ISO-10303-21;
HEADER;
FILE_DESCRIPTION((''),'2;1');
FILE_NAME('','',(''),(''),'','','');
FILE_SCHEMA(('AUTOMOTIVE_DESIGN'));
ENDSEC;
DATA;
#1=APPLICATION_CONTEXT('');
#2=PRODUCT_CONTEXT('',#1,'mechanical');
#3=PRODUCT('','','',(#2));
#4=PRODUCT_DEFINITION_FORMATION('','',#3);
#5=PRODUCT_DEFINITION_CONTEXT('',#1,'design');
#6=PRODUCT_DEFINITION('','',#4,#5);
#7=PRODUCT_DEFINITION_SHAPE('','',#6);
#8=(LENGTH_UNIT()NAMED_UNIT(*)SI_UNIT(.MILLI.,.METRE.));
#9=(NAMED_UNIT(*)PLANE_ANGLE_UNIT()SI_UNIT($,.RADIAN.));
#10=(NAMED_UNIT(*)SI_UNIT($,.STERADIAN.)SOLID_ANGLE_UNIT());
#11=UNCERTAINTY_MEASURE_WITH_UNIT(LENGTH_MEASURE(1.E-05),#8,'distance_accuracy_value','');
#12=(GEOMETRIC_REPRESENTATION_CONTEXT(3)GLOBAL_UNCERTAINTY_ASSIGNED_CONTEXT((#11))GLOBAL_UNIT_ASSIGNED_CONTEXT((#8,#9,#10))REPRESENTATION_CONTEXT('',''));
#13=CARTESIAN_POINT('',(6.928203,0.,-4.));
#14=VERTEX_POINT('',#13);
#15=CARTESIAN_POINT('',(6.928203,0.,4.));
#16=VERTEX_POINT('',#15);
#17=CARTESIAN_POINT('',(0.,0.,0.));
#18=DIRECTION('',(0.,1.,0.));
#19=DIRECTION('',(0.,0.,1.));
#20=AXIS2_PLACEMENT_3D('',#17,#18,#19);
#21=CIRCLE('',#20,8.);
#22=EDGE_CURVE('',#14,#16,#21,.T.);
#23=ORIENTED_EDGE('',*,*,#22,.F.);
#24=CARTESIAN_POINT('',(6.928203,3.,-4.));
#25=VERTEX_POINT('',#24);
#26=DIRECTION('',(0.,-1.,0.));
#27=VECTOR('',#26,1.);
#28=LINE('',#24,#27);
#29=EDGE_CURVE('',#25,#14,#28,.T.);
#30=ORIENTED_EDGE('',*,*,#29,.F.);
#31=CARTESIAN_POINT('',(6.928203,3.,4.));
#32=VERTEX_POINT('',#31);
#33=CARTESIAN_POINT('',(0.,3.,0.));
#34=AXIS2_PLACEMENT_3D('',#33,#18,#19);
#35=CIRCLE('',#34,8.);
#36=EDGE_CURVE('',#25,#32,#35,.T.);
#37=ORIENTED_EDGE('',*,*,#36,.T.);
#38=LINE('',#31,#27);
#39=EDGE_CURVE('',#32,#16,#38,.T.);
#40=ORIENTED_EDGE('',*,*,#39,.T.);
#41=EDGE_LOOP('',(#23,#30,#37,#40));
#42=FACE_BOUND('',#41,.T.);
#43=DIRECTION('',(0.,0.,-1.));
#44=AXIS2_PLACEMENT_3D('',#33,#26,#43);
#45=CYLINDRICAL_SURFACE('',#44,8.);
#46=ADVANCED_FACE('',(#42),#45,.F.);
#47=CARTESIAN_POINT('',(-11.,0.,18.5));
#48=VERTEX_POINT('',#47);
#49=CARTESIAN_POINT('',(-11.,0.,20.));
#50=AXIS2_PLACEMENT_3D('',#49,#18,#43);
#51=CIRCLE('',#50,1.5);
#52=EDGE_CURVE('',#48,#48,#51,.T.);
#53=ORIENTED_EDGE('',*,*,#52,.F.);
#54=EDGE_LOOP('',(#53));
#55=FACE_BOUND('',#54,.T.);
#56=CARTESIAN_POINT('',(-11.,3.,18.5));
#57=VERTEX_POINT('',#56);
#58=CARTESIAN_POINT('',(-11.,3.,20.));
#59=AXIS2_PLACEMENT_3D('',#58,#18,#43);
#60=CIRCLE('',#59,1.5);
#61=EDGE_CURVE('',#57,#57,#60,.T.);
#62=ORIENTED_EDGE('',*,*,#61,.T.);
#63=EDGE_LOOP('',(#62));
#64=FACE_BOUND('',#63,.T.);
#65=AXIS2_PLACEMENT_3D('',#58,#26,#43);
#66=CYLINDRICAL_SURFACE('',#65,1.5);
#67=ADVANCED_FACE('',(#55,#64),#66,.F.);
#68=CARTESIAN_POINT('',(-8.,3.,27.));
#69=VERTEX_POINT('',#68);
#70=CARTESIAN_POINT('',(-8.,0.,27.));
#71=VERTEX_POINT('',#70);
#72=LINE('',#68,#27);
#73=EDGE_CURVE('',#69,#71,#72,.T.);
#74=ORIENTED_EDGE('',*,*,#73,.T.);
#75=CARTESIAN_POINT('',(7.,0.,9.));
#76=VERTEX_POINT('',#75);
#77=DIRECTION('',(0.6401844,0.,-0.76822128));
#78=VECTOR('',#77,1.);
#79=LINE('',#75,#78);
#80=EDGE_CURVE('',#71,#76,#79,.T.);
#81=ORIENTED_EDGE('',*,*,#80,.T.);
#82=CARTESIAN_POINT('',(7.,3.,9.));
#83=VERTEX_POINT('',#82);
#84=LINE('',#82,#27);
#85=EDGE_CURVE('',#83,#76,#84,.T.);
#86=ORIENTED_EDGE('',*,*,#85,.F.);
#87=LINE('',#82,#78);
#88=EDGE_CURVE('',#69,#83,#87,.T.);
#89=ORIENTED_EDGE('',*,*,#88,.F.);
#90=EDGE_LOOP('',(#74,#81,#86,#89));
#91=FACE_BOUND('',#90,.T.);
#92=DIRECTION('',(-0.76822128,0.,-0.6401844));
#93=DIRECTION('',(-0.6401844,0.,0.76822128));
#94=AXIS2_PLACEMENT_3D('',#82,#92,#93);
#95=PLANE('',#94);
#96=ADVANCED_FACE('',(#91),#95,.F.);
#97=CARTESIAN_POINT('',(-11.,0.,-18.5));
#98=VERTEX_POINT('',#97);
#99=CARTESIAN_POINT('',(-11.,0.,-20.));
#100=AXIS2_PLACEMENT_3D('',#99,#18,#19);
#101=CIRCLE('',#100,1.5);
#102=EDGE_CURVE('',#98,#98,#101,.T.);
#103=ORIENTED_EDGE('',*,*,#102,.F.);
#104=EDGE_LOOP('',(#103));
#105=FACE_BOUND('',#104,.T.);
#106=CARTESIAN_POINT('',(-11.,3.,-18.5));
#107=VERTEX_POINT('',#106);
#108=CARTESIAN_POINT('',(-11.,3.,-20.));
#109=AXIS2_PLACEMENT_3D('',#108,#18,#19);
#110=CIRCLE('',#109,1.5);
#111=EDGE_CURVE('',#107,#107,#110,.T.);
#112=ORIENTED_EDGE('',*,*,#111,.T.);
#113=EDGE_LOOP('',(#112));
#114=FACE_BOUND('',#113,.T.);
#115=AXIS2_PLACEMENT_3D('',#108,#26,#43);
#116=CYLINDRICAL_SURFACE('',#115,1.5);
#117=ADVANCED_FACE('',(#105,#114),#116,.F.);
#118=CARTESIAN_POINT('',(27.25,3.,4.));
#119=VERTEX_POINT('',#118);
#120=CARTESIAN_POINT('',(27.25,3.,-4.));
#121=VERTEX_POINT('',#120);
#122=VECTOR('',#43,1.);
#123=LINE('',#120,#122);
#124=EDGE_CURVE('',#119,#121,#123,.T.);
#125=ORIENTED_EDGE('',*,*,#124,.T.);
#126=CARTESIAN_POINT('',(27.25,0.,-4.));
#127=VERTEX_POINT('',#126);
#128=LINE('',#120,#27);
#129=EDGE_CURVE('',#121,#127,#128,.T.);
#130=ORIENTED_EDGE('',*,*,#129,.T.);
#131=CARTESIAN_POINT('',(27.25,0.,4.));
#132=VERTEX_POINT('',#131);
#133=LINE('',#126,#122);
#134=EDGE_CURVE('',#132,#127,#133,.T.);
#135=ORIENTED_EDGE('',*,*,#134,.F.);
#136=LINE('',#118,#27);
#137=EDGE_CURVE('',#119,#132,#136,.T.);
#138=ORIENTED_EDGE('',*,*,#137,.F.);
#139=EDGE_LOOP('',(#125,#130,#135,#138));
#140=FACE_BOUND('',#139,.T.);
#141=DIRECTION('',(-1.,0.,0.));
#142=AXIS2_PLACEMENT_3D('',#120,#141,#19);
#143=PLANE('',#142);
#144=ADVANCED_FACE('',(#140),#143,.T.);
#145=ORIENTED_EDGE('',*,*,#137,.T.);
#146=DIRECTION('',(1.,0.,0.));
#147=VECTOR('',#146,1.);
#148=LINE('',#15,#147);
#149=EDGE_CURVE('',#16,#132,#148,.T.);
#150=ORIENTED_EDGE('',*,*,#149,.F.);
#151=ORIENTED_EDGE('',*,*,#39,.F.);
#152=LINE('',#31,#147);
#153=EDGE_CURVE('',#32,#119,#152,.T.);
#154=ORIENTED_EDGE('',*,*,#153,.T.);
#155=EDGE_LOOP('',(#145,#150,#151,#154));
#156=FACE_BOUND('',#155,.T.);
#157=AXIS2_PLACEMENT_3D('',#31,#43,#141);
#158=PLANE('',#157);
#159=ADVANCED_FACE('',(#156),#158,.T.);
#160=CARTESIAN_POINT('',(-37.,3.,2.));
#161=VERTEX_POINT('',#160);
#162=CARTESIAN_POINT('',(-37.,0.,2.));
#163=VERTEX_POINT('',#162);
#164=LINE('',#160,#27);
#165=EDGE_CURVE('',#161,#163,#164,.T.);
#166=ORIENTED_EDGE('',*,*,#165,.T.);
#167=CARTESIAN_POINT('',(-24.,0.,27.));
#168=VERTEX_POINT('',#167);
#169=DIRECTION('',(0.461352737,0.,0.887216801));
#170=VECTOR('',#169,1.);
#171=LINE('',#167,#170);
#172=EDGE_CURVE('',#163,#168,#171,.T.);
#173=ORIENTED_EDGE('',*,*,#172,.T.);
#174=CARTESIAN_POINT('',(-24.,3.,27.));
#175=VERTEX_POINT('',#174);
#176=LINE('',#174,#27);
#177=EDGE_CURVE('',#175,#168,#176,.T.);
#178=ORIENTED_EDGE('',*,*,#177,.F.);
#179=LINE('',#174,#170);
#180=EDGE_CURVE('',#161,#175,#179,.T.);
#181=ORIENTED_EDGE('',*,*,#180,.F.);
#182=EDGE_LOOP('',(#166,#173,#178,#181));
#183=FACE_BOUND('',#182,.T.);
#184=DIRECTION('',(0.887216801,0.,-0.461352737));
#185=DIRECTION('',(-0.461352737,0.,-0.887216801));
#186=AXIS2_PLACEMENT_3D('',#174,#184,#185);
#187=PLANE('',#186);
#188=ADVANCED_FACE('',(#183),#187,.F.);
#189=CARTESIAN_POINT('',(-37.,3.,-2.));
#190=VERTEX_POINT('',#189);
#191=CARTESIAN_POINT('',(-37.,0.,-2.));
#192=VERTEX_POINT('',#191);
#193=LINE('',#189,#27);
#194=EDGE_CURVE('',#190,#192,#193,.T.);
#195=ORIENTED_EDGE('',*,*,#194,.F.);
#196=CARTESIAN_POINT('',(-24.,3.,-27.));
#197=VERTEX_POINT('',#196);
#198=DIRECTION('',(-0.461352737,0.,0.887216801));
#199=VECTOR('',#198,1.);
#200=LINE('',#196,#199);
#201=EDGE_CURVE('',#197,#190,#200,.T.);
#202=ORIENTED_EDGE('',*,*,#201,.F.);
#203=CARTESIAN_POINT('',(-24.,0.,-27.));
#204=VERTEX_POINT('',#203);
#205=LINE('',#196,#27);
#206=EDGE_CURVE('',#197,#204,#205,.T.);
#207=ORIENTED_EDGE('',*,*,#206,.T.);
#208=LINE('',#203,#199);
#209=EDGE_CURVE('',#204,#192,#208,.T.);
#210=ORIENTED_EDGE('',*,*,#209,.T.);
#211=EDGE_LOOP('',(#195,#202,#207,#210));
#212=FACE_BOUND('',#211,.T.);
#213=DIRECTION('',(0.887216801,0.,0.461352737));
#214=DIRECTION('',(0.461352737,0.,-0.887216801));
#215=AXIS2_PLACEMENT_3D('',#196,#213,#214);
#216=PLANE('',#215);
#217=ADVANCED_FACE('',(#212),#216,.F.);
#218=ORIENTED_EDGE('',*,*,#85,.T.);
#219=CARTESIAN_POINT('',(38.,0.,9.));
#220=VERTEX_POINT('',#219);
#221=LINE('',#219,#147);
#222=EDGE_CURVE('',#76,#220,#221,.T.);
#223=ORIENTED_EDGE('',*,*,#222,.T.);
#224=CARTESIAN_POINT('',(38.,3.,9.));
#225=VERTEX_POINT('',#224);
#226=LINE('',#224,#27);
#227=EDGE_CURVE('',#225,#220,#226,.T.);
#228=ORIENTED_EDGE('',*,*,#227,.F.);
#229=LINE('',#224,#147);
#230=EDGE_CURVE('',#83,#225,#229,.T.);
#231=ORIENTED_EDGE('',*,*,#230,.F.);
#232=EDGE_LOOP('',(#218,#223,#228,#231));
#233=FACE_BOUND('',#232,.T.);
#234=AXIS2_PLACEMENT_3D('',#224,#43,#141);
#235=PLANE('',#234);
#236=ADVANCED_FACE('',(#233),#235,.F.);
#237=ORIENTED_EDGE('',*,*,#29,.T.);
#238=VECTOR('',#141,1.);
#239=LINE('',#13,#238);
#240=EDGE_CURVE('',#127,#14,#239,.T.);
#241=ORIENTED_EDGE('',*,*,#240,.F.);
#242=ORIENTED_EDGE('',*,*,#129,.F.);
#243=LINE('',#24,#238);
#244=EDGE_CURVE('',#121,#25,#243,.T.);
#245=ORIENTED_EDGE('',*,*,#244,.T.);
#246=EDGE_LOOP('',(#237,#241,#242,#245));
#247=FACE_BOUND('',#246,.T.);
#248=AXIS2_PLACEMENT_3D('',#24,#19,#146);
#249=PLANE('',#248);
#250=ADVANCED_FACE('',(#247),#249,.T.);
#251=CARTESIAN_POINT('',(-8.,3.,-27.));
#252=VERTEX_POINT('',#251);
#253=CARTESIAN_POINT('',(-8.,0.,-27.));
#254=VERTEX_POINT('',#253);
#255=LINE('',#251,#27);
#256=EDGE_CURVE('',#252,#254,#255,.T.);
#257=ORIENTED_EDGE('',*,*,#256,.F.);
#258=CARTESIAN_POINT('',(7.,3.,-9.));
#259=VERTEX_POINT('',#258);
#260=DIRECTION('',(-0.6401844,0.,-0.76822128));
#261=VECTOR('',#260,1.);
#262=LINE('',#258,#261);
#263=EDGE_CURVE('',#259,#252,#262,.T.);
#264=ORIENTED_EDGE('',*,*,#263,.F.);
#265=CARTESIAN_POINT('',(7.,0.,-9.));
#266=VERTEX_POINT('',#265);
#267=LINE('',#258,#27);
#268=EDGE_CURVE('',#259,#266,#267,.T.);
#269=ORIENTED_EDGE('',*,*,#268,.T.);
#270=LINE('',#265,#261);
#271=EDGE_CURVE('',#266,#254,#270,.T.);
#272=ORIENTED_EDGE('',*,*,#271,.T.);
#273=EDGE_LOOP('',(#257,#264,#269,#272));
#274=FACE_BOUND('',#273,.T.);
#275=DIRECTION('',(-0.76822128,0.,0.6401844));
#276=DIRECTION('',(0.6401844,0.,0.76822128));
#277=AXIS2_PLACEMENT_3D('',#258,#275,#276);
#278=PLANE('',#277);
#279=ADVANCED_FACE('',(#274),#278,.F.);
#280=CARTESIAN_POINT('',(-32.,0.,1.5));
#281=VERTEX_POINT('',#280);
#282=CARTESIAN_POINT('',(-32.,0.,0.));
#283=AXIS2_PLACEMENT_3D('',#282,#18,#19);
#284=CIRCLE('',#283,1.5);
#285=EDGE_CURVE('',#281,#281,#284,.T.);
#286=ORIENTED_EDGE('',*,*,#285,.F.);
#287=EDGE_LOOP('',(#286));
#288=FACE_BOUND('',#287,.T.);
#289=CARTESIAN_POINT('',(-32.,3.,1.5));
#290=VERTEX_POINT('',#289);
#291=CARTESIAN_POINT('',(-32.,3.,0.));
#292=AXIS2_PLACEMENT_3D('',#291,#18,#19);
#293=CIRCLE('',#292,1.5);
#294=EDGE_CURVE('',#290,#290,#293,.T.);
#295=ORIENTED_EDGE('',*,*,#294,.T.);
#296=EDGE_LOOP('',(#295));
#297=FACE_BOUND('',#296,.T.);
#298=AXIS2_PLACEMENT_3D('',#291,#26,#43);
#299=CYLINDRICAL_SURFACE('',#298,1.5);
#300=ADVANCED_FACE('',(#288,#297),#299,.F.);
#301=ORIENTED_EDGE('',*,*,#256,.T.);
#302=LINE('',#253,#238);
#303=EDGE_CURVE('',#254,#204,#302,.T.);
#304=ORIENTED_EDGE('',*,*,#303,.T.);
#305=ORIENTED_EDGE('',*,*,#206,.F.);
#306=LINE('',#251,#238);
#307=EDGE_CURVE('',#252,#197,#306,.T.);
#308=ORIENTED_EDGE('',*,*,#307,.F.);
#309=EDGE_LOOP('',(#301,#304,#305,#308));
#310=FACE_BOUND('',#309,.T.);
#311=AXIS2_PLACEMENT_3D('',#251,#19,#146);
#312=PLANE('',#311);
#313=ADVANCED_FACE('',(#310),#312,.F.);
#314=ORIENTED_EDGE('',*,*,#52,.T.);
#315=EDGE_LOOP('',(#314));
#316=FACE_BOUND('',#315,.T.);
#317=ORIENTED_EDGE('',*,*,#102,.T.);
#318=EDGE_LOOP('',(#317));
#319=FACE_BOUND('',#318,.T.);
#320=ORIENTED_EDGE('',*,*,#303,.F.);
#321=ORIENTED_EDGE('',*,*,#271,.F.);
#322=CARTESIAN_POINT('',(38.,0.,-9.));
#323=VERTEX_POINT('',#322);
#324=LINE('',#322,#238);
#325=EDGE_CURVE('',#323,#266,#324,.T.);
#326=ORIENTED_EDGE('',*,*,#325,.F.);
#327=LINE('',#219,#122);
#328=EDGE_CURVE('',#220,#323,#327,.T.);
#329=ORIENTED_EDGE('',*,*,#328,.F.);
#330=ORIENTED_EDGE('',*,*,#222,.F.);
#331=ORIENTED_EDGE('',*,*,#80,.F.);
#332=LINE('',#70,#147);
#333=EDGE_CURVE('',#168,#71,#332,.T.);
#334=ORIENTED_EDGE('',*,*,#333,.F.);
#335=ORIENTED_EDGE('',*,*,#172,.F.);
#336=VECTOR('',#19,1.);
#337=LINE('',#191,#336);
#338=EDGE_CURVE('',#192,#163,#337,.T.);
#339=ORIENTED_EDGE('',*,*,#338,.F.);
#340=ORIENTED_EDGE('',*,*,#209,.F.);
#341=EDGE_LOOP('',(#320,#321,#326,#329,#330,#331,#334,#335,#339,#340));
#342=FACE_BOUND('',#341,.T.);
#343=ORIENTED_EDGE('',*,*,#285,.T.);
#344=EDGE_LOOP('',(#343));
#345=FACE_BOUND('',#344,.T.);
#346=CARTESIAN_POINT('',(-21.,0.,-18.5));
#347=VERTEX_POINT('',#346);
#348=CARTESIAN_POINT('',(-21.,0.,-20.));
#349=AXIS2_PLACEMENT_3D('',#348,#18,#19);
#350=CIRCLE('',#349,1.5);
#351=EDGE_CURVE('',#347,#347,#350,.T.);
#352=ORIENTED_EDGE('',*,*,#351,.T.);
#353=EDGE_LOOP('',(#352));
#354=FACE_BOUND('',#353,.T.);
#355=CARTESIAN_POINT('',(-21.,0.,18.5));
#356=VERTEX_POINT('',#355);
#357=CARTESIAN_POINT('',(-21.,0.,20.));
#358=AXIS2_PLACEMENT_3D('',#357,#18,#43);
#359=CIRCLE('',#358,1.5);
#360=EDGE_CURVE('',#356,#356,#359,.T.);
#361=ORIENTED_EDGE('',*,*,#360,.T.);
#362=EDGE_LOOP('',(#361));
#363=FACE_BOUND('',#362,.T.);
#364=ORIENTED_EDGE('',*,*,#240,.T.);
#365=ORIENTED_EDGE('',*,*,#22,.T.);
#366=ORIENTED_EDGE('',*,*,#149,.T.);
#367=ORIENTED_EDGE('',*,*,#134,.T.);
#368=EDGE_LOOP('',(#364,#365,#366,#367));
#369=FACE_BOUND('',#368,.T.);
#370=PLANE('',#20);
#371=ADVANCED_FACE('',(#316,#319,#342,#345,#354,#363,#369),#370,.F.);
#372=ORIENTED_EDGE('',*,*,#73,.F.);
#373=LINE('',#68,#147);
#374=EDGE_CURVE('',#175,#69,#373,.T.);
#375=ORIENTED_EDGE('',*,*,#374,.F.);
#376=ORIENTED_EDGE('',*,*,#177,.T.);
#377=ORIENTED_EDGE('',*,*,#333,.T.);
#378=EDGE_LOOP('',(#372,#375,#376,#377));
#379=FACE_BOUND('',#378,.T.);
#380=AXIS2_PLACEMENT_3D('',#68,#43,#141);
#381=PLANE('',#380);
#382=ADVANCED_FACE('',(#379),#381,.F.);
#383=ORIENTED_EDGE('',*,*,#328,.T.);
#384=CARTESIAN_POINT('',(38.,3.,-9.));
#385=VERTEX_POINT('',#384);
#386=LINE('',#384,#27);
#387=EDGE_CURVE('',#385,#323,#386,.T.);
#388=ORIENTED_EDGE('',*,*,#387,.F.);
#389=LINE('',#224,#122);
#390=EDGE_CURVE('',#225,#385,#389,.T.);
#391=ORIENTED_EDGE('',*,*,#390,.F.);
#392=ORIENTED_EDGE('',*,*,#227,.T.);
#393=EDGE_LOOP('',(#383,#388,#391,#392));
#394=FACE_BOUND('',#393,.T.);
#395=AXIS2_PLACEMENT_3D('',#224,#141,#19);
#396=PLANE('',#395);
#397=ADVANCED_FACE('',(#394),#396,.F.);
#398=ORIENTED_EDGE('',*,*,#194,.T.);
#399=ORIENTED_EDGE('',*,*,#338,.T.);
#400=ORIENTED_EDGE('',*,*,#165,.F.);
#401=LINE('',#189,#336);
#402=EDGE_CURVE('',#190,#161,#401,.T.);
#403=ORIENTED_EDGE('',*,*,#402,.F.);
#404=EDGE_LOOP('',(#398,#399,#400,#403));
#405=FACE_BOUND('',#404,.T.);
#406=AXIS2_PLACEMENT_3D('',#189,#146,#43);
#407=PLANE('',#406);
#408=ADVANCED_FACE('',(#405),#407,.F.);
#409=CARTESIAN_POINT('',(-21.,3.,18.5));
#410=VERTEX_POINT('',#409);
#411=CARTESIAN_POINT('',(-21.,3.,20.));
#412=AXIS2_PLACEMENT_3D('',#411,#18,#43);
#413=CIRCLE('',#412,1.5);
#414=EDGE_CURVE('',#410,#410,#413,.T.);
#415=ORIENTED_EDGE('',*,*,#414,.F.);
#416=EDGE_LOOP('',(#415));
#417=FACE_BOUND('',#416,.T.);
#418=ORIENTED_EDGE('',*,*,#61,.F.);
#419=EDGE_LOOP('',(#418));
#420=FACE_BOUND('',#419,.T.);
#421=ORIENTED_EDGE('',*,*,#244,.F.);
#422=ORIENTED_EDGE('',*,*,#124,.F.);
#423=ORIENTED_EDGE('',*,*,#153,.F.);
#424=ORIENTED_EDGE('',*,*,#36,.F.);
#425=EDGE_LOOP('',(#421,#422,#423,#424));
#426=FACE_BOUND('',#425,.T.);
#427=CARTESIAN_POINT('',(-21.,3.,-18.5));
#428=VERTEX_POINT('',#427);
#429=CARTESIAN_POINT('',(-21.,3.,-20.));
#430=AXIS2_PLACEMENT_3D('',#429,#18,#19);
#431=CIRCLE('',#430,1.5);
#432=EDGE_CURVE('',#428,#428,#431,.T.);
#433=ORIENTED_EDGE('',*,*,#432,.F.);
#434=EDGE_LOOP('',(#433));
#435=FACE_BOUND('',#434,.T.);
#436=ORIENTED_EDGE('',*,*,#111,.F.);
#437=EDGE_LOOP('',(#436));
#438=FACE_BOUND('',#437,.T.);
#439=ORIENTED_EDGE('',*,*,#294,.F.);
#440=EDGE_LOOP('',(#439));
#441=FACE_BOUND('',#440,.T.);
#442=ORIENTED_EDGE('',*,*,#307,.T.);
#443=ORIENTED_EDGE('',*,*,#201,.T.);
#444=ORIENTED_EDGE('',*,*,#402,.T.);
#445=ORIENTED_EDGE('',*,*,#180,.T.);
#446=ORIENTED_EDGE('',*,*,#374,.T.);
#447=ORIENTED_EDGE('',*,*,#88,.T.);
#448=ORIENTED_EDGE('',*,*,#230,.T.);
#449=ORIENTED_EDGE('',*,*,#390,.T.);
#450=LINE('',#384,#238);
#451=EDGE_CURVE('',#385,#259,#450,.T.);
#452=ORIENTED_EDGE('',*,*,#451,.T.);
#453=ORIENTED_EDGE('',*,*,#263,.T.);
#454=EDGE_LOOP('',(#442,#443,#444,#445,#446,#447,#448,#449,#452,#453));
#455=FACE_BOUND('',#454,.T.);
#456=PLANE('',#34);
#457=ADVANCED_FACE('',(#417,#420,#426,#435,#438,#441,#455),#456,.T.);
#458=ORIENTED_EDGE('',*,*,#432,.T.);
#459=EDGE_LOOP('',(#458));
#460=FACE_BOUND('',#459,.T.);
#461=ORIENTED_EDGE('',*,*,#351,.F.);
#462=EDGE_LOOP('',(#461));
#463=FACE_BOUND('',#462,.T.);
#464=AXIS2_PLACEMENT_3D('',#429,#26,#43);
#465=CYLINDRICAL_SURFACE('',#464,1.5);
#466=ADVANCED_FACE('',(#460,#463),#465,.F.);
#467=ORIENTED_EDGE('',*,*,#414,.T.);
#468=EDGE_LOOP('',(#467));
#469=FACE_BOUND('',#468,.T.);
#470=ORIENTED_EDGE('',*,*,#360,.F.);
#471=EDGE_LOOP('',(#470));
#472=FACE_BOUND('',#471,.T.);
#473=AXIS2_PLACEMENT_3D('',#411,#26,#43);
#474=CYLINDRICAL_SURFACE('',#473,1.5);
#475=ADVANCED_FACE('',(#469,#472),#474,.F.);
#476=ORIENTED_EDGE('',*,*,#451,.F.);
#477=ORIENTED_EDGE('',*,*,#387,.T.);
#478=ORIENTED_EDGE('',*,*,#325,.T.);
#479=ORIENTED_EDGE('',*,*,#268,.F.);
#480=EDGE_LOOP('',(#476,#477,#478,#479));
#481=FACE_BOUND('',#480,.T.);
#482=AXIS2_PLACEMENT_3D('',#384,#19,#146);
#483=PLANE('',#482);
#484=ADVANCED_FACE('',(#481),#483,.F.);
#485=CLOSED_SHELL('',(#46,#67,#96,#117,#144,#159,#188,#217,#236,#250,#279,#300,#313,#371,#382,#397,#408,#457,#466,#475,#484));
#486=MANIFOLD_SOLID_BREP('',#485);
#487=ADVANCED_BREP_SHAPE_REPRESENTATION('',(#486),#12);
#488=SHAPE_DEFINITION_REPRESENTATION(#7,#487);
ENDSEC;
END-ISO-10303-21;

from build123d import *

# Parameters (mm, degrees)
SKETCH_1_R      = 1.5
EXTRUDE_1_DEPTH = 3


with BuildPart() as part:
    # 草图1 → 凸台-拉伸1 (new body)
    with BuildSketch(Plane(origin=(0, 0, 0), x_dir=(1, 0, 0), z_dir=(0, 1, 0))):
        Polygon((38, -9), (38, 9), (7, 9), (-8, 27), (-24, 27), (-37, 2), (-37, -2), (-24, -27), (-8, -27), (7, -9), align=None)
        with Locations(Location((-21, 20, 0), (0, 0, 270))):
            Circle(SKETCH_1_R, mode=Mode.SUBTRACT)
        with Locations(Location((-11, 20, 0), (0, 0, 270))):
            Circle(SKETCH_1_R, mode=Mode.SUBTRACT)
        with Locations(Location((-11, -20, 0), (0, 0, 90))):
            Circle(SKETCH_1_R, mode=Mode.SUBTRACT)
        with Locations(Location((-21, -20, 0), (0, 0, 90))):
            Circle(SKETCH_1_R, mode=Mode.SUBTRACT)
        with Locations(Location((-32, 0, 0), (0, 0, 270))):
            Circle(SKETCH_1_R, mode=Mode.SUBTRACT)
        with BuildLine():
            Line((6.92820323, 4), (27.25, 4))
            Line((27.25, 4), (27.25, -4))
            Line((27.25, -4), (6.92820323, -4))
            ThreePointArc((6.92820323, -4), (-8, 0), (6.92820323, 4))
        make_face(mode=Mode.SUBTRACT)
    extrude(amount=EXTRUDE_1_DEPTH)


solid = part.part
